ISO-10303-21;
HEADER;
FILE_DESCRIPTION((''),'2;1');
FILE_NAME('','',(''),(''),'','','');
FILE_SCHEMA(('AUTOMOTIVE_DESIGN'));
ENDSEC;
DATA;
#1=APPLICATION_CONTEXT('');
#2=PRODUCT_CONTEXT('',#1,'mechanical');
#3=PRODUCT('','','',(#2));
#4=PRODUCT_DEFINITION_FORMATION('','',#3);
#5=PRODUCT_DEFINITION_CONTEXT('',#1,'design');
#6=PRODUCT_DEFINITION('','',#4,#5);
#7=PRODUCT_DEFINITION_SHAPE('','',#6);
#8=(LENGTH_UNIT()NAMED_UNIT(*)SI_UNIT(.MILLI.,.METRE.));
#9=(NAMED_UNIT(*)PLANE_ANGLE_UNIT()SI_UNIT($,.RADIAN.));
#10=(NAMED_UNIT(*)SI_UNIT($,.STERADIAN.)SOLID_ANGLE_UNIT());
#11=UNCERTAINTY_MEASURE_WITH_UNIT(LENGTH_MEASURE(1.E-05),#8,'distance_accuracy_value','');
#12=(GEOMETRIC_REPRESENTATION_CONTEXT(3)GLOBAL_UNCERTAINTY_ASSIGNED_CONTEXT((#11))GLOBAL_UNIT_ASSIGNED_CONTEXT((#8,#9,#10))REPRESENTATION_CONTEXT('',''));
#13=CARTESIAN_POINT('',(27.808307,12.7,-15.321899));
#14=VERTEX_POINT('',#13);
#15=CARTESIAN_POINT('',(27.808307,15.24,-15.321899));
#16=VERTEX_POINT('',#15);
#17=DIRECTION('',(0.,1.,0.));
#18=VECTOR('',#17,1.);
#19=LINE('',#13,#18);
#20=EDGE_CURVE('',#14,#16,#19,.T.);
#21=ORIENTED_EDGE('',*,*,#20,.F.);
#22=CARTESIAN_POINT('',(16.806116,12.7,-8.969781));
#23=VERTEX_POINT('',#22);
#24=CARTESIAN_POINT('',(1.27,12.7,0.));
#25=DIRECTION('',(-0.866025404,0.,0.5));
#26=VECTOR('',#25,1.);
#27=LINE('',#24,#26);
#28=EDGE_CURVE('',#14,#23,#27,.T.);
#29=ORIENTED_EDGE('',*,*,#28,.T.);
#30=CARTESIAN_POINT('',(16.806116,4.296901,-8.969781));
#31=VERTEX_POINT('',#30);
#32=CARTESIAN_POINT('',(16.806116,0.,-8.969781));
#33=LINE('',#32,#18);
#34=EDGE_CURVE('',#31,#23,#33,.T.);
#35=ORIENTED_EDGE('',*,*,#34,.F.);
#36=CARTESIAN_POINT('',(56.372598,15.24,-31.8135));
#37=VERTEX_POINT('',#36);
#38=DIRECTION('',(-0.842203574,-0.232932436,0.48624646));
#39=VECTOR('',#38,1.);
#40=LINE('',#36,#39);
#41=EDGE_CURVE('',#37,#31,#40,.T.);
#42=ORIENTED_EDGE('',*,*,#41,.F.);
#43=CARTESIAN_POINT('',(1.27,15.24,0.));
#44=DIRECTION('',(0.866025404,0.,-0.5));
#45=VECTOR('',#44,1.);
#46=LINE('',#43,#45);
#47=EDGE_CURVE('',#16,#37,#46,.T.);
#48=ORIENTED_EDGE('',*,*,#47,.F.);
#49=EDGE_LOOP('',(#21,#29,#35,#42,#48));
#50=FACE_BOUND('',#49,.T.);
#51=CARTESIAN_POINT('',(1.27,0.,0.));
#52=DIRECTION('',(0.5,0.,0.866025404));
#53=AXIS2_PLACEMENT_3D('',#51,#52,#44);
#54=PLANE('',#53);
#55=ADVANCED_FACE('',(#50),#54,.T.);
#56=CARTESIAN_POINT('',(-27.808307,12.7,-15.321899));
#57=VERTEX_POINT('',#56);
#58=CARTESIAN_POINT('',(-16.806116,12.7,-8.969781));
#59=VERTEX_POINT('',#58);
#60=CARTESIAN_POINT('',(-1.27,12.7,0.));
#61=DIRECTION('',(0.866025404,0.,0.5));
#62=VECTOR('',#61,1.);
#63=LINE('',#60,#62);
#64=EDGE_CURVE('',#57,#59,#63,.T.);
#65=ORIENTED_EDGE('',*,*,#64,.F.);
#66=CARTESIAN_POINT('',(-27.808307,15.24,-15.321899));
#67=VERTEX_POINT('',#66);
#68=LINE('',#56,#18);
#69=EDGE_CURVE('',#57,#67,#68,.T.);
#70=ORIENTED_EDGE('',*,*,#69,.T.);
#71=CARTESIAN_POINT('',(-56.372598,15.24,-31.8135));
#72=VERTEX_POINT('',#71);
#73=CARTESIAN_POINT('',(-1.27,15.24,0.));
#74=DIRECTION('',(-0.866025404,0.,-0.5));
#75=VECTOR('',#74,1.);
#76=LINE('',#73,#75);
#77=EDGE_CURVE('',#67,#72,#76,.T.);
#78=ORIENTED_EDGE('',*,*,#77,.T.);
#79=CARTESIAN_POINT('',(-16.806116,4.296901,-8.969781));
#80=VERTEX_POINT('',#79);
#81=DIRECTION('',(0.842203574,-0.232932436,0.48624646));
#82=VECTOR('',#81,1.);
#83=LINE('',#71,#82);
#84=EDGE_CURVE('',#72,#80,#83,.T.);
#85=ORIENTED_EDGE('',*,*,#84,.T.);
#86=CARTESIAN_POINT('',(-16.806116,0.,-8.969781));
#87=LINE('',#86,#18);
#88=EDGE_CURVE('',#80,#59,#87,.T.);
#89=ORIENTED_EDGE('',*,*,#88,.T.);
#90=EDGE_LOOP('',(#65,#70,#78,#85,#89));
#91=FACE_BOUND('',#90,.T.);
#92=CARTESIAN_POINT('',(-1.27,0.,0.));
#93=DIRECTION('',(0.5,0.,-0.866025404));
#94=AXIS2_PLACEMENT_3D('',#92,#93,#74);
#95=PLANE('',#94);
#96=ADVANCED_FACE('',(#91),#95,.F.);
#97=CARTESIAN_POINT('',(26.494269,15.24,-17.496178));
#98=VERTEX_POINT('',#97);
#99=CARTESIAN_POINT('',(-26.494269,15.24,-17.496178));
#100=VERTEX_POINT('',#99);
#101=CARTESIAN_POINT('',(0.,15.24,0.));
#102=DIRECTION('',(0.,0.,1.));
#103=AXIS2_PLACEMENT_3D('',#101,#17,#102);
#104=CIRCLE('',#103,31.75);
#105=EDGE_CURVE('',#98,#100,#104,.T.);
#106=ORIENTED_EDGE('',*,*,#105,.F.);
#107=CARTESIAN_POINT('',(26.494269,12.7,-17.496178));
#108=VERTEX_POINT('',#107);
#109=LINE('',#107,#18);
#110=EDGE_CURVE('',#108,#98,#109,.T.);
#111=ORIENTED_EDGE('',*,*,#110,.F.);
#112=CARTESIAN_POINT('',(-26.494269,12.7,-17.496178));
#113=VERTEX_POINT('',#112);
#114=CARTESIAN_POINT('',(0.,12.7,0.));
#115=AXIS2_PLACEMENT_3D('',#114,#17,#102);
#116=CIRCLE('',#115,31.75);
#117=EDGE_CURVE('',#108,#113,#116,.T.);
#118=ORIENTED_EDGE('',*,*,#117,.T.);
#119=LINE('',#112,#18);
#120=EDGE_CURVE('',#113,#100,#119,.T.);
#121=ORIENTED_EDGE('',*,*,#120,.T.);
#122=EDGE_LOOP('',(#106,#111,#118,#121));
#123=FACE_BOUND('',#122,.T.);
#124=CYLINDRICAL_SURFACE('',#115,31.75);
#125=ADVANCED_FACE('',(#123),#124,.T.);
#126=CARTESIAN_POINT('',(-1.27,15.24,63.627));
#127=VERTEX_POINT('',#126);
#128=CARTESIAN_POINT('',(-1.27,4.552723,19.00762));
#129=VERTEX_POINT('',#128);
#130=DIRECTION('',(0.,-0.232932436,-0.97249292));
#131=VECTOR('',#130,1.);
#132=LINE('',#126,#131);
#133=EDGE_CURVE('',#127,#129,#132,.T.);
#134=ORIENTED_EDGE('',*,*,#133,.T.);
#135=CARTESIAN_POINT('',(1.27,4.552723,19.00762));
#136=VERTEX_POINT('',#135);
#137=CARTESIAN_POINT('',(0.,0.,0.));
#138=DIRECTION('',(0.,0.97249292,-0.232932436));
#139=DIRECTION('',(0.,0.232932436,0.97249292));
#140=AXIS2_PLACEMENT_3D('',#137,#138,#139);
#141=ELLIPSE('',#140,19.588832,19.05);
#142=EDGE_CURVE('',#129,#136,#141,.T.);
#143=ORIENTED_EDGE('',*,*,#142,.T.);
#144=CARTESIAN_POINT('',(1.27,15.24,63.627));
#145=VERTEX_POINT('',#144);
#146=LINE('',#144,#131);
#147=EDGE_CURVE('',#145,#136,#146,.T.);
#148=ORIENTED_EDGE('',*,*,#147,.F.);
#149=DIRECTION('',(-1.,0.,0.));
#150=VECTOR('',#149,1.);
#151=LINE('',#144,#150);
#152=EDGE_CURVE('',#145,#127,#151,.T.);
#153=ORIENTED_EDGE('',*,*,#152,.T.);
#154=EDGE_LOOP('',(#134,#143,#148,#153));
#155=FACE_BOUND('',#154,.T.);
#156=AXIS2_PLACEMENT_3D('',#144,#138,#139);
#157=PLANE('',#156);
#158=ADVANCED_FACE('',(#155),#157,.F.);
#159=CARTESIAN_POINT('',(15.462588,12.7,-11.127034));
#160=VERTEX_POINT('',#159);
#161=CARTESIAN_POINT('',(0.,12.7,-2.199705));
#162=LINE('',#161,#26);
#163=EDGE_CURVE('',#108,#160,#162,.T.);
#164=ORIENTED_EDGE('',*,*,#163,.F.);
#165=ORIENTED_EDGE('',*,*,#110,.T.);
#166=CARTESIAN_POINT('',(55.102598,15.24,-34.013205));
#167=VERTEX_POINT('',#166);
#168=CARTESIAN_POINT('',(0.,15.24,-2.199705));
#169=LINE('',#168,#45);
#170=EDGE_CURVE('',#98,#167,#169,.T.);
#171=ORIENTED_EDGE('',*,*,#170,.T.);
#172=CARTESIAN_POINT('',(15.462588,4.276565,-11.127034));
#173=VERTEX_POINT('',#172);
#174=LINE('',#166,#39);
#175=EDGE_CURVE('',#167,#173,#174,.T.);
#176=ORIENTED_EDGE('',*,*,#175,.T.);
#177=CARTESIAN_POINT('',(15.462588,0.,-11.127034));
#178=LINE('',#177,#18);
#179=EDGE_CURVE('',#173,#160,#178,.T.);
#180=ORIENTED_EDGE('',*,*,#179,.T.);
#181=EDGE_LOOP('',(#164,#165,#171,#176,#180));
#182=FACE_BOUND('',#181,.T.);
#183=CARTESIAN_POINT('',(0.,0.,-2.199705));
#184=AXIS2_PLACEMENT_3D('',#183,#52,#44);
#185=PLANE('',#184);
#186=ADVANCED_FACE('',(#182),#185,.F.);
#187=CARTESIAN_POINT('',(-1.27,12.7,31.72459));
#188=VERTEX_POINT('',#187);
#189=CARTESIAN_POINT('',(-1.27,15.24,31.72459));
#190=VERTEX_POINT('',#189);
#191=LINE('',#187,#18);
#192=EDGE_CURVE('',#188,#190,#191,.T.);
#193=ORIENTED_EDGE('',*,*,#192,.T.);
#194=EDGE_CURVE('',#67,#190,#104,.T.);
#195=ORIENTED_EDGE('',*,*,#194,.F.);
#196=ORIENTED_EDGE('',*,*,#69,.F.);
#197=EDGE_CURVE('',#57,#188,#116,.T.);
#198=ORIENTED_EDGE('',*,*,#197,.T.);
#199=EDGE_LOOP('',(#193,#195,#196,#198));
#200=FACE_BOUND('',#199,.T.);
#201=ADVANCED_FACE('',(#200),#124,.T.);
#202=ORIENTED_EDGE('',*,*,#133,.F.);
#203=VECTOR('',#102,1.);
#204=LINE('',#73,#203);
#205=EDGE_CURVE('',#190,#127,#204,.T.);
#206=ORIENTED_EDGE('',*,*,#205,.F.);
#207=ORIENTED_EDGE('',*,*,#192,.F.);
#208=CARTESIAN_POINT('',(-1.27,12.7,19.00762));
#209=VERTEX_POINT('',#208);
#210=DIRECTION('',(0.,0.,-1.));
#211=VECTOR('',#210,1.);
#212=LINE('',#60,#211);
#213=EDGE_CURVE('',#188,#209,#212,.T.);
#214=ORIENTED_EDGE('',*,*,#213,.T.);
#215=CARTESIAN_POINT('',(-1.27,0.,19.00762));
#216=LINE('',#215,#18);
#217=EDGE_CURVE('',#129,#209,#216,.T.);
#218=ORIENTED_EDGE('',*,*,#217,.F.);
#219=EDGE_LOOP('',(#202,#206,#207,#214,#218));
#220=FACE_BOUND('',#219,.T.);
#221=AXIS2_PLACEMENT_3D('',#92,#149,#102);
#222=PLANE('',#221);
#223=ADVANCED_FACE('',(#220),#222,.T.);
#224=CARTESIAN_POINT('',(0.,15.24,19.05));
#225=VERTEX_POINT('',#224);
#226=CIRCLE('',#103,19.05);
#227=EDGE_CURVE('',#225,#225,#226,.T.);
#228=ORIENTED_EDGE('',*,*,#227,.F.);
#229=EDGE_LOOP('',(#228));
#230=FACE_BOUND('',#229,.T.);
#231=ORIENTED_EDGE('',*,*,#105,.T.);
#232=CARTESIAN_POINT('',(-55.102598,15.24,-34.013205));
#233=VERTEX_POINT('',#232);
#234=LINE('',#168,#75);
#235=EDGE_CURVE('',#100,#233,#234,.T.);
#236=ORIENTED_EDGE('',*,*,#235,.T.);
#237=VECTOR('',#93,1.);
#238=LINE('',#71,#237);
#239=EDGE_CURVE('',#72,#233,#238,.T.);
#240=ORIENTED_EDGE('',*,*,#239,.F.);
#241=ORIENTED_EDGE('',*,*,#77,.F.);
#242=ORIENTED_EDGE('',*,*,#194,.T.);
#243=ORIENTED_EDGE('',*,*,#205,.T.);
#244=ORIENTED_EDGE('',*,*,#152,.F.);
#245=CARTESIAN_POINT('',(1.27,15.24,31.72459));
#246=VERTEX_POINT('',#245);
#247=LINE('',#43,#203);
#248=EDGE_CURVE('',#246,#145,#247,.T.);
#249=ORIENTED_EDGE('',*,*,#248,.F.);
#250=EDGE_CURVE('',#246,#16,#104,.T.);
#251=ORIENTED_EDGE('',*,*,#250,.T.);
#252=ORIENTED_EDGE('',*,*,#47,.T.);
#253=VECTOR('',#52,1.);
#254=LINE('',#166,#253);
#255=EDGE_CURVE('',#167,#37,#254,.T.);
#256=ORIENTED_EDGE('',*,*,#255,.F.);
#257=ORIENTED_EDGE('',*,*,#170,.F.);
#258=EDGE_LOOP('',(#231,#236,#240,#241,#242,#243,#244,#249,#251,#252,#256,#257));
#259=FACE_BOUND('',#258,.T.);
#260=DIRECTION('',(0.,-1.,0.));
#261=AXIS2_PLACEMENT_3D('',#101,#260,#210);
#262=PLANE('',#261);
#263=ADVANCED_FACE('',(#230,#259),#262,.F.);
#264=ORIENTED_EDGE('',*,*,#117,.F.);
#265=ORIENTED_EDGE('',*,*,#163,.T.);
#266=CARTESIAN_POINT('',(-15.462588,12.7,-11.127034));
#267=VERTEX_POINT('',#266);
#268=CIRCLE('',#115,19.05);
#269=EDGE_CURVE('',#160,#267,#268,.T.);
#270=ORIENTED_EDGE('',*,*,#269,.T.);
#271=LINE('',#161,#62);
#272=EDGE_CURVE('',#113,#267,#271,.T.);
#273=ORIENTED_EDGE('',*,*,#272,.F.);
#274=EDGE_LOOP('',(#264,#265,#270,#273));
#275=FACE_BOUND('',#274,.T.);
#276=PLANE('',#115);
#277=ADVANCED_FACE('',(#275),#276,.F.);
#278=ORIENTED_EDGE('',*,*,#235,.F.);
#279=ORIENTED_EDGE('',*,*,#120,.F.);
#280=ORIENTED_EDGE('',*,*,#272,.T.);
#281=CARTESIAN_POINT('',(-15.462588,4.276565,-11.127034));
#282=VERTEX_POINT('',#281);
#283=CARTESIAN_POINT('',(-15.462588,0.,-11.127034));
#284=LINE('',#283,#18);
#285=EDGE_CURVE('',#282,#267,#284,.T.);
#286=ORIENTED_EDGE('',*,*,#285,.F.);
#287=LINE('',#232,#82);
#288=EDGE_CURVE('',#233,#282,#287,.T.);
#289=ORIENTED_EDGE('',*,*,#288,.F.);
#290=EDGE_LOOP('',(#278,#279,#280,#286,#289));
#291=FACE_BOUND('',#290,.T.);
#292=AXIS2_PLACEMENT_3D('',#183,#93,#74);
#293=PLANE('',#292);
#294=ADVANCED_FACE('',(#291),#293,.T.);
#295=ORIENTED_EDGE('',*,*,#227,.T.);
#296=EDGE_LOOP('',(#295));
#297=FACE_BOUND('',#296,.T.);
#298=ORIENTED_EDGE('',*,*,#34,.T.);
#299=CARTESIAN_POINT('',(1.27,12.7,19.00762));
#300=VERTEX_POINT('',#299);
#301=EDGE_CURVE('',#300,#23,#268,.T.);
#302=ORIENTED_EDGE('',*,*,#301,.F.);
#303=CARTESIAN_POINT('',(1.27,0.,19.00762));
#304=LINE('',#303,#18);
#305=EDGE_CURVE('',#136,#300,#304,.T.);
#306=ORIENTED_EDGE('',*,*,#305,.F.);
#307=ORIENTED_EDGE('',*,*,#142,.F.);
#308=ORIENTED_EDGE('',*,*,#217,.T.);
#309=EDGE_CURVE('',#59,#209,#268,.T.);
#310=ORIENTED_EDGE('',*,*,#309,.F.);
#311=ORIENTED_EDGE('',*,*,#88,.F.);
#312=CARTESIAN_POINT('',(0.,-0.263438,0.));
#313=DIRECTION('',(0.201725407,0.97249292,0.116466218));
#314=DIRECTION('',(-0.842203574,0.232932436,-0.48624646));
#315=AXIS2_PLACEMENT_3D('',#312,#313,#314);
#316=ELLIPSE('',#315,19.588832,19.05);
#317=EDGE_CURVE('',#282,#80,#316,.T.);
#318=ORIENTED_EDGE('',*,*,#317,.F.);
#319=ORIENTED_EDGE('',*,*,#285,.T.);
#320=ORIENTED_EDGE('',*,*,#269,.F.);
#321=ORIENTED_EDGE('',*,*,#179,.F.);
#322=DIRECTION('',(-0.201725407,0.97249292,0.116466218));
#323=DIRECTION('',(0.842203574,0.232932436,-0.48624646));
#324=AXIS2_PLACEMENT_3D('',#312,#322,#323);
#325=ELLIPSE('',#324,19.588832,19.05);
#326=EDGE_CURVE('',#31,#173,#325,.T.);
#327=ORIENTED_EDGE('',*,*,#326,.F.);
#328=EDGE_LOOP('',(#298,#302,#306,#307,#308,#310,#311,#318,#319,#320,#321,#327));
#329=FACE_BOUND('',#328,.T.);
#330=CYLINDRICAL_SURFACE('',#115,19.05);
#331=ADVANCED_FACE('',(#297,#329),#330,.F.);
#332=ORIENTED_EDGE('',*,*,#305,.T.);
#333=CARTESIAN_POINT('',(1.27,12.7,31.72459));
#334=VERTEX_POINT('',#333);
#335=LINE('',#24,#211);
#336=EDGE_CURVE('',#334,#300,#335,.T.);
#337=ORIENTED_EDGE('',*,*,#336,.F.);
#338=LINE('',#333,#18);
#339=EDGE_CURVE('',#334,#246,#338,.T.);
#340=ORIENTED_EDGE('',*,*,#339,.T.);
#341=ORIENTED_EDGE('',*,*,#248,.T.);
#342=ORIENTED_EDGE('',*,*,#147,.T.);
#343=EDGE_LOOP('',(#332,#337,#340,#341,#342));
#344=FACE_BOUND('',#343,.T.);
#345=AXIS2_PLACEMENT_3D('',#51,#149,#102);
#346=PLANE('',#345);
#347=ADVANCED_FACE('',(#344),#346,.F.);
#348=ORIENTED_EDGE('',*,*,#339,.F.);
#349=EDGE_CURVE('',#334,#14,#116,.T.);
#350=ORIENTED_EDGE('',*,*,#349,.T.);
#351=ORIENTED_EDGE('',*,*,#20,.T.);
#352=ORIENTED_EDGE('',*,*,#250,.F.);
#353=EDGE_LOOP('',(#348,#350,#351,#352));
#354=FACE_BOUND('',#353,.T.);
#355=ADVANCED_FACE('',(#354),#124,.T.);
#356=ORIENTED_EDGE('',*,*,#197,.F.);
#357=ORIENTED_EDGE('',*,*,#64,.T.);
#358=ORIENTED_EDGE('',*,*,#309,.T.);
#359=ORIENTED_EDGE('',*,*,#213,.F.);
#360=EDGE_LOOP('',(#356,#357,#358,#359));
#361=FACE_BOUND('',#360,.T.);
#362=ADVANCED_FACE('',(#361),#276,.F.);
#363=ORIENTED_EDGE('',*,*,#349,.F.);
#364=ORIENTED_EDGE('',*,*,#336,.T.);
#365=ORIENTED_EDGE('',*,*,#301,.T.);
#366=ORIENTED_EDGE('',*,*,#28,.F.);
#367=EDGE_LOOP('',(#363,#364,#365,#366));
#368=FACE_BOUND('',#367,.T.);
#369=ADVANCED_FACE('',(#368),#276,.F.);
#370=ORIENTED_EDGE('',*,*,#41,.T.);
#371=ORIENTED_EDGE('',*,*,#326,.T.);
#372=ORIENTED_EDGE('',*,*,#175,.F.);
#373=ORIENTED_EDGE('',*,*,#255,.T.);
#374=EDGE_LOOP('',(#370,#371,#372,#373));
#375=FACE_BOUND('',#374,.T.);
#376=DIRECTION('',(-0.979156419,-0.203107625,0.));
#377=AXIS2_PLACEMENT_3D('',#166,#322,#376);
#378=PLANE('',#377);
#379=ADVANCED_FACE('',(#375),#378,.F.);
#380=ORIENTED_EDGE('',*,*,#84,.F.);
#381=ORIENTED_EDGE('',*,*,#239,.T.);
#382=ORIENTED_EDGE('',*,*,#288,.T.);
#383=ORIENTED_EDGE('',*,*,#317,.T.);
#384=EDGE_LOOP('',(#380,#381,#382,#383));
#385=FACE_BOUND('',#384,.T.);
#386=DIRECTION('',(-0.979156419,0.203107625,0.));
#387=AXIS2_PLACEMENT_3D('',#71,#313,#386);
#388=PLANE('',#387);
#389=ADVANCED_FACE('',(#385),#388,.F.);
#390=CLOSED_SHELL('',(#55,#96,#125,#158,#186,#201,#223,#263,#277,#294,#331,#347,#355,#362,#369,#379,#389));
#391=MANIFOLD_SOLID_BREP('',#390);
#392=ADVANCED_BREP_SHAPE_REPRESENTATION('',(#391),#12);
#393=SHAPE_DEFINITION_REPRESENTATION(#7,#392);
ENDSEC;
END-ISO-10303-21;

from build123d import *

# Parameters (mm, degrees)
BOSS_EXTRUDE1_DEPTH = 15.24
BOSS_EXTRUDE2_DEPTH = 1.27
CIRPATTERN1_COUNT   = 3
SKETCH4_R           = 31.75
SKETCH4_R_2         = 19.05
BOSS_EXTRUDE3_DEPTH = 2.54
SKETCH5_R           = 19.05
CUT_EXTRUDE1_DEPTH  = 87.362738352


with BuildPart() as part:
    # Sketch2 → Boss-Extrude1 (new body)
    with BuildSketch(Plane(origin=(0, 0, 0), x_dir=(1, 0, 0), z_dir=(0, 1, 0))):
        Polygon((-1.27, 0), (0, 2.199704526), (1.27, 0), align=None)
    extrude(amount=BOSS_EXTRUDE1_DEPTH)

    # Sketch3 → Boss-Extrude2 (add, symmetric)
    with BuildSketch(Plane(origin=(0, 0, 0), x_dir=(0, 0, -1), z_dir=(1, 0, 0))):
        Polygon((0, 15.24), (-63.627, 15.24), (0, 0), align=None)
    boss_extrude2 = extrude(amount=BOSS_EXTRUDE2_DEPTH, both=True)

    # CirPattern1: Boss-Extrude2 ×3 about axis
    cirpattern1_axis = Axis((0, 0, -0.733234842), (0, -1, 0))
    for i in range(1, CIRPATTERN1_COUNT):
        add(boss_extrude2.rotate(cirpattern1_axis, i * 360 / CIRPATTERN1_COUNT))

    # Sketch4 → Boss-Extrude3 (add)
    with BuildSketch(Plane(origin=(0, 15.24, 0), x_dir=(1, 0, 0), z_dir=(0, 1, 0))):
        Circle(SKETCH4_R)
        Circle(SKETCH4_R_2, mode=Mode.SUBTRACT)
    extrude(amount=-BOSS_EXTRUDE3_DEPTH)

    # Sketch5 → Cut-Extrude1 (cut, through all)
    with BuildSketch(Plane(origin=(0, 15.24, 0), x_dir=(1, 0, 0), z_dir=(0, 1, 0))):
        Circle(SKETCH5_R)
    extrude(amount=-CUT_EXTRUDE1_DEPTH, mode=Mode.SUBTRACT)


solid = part.part
